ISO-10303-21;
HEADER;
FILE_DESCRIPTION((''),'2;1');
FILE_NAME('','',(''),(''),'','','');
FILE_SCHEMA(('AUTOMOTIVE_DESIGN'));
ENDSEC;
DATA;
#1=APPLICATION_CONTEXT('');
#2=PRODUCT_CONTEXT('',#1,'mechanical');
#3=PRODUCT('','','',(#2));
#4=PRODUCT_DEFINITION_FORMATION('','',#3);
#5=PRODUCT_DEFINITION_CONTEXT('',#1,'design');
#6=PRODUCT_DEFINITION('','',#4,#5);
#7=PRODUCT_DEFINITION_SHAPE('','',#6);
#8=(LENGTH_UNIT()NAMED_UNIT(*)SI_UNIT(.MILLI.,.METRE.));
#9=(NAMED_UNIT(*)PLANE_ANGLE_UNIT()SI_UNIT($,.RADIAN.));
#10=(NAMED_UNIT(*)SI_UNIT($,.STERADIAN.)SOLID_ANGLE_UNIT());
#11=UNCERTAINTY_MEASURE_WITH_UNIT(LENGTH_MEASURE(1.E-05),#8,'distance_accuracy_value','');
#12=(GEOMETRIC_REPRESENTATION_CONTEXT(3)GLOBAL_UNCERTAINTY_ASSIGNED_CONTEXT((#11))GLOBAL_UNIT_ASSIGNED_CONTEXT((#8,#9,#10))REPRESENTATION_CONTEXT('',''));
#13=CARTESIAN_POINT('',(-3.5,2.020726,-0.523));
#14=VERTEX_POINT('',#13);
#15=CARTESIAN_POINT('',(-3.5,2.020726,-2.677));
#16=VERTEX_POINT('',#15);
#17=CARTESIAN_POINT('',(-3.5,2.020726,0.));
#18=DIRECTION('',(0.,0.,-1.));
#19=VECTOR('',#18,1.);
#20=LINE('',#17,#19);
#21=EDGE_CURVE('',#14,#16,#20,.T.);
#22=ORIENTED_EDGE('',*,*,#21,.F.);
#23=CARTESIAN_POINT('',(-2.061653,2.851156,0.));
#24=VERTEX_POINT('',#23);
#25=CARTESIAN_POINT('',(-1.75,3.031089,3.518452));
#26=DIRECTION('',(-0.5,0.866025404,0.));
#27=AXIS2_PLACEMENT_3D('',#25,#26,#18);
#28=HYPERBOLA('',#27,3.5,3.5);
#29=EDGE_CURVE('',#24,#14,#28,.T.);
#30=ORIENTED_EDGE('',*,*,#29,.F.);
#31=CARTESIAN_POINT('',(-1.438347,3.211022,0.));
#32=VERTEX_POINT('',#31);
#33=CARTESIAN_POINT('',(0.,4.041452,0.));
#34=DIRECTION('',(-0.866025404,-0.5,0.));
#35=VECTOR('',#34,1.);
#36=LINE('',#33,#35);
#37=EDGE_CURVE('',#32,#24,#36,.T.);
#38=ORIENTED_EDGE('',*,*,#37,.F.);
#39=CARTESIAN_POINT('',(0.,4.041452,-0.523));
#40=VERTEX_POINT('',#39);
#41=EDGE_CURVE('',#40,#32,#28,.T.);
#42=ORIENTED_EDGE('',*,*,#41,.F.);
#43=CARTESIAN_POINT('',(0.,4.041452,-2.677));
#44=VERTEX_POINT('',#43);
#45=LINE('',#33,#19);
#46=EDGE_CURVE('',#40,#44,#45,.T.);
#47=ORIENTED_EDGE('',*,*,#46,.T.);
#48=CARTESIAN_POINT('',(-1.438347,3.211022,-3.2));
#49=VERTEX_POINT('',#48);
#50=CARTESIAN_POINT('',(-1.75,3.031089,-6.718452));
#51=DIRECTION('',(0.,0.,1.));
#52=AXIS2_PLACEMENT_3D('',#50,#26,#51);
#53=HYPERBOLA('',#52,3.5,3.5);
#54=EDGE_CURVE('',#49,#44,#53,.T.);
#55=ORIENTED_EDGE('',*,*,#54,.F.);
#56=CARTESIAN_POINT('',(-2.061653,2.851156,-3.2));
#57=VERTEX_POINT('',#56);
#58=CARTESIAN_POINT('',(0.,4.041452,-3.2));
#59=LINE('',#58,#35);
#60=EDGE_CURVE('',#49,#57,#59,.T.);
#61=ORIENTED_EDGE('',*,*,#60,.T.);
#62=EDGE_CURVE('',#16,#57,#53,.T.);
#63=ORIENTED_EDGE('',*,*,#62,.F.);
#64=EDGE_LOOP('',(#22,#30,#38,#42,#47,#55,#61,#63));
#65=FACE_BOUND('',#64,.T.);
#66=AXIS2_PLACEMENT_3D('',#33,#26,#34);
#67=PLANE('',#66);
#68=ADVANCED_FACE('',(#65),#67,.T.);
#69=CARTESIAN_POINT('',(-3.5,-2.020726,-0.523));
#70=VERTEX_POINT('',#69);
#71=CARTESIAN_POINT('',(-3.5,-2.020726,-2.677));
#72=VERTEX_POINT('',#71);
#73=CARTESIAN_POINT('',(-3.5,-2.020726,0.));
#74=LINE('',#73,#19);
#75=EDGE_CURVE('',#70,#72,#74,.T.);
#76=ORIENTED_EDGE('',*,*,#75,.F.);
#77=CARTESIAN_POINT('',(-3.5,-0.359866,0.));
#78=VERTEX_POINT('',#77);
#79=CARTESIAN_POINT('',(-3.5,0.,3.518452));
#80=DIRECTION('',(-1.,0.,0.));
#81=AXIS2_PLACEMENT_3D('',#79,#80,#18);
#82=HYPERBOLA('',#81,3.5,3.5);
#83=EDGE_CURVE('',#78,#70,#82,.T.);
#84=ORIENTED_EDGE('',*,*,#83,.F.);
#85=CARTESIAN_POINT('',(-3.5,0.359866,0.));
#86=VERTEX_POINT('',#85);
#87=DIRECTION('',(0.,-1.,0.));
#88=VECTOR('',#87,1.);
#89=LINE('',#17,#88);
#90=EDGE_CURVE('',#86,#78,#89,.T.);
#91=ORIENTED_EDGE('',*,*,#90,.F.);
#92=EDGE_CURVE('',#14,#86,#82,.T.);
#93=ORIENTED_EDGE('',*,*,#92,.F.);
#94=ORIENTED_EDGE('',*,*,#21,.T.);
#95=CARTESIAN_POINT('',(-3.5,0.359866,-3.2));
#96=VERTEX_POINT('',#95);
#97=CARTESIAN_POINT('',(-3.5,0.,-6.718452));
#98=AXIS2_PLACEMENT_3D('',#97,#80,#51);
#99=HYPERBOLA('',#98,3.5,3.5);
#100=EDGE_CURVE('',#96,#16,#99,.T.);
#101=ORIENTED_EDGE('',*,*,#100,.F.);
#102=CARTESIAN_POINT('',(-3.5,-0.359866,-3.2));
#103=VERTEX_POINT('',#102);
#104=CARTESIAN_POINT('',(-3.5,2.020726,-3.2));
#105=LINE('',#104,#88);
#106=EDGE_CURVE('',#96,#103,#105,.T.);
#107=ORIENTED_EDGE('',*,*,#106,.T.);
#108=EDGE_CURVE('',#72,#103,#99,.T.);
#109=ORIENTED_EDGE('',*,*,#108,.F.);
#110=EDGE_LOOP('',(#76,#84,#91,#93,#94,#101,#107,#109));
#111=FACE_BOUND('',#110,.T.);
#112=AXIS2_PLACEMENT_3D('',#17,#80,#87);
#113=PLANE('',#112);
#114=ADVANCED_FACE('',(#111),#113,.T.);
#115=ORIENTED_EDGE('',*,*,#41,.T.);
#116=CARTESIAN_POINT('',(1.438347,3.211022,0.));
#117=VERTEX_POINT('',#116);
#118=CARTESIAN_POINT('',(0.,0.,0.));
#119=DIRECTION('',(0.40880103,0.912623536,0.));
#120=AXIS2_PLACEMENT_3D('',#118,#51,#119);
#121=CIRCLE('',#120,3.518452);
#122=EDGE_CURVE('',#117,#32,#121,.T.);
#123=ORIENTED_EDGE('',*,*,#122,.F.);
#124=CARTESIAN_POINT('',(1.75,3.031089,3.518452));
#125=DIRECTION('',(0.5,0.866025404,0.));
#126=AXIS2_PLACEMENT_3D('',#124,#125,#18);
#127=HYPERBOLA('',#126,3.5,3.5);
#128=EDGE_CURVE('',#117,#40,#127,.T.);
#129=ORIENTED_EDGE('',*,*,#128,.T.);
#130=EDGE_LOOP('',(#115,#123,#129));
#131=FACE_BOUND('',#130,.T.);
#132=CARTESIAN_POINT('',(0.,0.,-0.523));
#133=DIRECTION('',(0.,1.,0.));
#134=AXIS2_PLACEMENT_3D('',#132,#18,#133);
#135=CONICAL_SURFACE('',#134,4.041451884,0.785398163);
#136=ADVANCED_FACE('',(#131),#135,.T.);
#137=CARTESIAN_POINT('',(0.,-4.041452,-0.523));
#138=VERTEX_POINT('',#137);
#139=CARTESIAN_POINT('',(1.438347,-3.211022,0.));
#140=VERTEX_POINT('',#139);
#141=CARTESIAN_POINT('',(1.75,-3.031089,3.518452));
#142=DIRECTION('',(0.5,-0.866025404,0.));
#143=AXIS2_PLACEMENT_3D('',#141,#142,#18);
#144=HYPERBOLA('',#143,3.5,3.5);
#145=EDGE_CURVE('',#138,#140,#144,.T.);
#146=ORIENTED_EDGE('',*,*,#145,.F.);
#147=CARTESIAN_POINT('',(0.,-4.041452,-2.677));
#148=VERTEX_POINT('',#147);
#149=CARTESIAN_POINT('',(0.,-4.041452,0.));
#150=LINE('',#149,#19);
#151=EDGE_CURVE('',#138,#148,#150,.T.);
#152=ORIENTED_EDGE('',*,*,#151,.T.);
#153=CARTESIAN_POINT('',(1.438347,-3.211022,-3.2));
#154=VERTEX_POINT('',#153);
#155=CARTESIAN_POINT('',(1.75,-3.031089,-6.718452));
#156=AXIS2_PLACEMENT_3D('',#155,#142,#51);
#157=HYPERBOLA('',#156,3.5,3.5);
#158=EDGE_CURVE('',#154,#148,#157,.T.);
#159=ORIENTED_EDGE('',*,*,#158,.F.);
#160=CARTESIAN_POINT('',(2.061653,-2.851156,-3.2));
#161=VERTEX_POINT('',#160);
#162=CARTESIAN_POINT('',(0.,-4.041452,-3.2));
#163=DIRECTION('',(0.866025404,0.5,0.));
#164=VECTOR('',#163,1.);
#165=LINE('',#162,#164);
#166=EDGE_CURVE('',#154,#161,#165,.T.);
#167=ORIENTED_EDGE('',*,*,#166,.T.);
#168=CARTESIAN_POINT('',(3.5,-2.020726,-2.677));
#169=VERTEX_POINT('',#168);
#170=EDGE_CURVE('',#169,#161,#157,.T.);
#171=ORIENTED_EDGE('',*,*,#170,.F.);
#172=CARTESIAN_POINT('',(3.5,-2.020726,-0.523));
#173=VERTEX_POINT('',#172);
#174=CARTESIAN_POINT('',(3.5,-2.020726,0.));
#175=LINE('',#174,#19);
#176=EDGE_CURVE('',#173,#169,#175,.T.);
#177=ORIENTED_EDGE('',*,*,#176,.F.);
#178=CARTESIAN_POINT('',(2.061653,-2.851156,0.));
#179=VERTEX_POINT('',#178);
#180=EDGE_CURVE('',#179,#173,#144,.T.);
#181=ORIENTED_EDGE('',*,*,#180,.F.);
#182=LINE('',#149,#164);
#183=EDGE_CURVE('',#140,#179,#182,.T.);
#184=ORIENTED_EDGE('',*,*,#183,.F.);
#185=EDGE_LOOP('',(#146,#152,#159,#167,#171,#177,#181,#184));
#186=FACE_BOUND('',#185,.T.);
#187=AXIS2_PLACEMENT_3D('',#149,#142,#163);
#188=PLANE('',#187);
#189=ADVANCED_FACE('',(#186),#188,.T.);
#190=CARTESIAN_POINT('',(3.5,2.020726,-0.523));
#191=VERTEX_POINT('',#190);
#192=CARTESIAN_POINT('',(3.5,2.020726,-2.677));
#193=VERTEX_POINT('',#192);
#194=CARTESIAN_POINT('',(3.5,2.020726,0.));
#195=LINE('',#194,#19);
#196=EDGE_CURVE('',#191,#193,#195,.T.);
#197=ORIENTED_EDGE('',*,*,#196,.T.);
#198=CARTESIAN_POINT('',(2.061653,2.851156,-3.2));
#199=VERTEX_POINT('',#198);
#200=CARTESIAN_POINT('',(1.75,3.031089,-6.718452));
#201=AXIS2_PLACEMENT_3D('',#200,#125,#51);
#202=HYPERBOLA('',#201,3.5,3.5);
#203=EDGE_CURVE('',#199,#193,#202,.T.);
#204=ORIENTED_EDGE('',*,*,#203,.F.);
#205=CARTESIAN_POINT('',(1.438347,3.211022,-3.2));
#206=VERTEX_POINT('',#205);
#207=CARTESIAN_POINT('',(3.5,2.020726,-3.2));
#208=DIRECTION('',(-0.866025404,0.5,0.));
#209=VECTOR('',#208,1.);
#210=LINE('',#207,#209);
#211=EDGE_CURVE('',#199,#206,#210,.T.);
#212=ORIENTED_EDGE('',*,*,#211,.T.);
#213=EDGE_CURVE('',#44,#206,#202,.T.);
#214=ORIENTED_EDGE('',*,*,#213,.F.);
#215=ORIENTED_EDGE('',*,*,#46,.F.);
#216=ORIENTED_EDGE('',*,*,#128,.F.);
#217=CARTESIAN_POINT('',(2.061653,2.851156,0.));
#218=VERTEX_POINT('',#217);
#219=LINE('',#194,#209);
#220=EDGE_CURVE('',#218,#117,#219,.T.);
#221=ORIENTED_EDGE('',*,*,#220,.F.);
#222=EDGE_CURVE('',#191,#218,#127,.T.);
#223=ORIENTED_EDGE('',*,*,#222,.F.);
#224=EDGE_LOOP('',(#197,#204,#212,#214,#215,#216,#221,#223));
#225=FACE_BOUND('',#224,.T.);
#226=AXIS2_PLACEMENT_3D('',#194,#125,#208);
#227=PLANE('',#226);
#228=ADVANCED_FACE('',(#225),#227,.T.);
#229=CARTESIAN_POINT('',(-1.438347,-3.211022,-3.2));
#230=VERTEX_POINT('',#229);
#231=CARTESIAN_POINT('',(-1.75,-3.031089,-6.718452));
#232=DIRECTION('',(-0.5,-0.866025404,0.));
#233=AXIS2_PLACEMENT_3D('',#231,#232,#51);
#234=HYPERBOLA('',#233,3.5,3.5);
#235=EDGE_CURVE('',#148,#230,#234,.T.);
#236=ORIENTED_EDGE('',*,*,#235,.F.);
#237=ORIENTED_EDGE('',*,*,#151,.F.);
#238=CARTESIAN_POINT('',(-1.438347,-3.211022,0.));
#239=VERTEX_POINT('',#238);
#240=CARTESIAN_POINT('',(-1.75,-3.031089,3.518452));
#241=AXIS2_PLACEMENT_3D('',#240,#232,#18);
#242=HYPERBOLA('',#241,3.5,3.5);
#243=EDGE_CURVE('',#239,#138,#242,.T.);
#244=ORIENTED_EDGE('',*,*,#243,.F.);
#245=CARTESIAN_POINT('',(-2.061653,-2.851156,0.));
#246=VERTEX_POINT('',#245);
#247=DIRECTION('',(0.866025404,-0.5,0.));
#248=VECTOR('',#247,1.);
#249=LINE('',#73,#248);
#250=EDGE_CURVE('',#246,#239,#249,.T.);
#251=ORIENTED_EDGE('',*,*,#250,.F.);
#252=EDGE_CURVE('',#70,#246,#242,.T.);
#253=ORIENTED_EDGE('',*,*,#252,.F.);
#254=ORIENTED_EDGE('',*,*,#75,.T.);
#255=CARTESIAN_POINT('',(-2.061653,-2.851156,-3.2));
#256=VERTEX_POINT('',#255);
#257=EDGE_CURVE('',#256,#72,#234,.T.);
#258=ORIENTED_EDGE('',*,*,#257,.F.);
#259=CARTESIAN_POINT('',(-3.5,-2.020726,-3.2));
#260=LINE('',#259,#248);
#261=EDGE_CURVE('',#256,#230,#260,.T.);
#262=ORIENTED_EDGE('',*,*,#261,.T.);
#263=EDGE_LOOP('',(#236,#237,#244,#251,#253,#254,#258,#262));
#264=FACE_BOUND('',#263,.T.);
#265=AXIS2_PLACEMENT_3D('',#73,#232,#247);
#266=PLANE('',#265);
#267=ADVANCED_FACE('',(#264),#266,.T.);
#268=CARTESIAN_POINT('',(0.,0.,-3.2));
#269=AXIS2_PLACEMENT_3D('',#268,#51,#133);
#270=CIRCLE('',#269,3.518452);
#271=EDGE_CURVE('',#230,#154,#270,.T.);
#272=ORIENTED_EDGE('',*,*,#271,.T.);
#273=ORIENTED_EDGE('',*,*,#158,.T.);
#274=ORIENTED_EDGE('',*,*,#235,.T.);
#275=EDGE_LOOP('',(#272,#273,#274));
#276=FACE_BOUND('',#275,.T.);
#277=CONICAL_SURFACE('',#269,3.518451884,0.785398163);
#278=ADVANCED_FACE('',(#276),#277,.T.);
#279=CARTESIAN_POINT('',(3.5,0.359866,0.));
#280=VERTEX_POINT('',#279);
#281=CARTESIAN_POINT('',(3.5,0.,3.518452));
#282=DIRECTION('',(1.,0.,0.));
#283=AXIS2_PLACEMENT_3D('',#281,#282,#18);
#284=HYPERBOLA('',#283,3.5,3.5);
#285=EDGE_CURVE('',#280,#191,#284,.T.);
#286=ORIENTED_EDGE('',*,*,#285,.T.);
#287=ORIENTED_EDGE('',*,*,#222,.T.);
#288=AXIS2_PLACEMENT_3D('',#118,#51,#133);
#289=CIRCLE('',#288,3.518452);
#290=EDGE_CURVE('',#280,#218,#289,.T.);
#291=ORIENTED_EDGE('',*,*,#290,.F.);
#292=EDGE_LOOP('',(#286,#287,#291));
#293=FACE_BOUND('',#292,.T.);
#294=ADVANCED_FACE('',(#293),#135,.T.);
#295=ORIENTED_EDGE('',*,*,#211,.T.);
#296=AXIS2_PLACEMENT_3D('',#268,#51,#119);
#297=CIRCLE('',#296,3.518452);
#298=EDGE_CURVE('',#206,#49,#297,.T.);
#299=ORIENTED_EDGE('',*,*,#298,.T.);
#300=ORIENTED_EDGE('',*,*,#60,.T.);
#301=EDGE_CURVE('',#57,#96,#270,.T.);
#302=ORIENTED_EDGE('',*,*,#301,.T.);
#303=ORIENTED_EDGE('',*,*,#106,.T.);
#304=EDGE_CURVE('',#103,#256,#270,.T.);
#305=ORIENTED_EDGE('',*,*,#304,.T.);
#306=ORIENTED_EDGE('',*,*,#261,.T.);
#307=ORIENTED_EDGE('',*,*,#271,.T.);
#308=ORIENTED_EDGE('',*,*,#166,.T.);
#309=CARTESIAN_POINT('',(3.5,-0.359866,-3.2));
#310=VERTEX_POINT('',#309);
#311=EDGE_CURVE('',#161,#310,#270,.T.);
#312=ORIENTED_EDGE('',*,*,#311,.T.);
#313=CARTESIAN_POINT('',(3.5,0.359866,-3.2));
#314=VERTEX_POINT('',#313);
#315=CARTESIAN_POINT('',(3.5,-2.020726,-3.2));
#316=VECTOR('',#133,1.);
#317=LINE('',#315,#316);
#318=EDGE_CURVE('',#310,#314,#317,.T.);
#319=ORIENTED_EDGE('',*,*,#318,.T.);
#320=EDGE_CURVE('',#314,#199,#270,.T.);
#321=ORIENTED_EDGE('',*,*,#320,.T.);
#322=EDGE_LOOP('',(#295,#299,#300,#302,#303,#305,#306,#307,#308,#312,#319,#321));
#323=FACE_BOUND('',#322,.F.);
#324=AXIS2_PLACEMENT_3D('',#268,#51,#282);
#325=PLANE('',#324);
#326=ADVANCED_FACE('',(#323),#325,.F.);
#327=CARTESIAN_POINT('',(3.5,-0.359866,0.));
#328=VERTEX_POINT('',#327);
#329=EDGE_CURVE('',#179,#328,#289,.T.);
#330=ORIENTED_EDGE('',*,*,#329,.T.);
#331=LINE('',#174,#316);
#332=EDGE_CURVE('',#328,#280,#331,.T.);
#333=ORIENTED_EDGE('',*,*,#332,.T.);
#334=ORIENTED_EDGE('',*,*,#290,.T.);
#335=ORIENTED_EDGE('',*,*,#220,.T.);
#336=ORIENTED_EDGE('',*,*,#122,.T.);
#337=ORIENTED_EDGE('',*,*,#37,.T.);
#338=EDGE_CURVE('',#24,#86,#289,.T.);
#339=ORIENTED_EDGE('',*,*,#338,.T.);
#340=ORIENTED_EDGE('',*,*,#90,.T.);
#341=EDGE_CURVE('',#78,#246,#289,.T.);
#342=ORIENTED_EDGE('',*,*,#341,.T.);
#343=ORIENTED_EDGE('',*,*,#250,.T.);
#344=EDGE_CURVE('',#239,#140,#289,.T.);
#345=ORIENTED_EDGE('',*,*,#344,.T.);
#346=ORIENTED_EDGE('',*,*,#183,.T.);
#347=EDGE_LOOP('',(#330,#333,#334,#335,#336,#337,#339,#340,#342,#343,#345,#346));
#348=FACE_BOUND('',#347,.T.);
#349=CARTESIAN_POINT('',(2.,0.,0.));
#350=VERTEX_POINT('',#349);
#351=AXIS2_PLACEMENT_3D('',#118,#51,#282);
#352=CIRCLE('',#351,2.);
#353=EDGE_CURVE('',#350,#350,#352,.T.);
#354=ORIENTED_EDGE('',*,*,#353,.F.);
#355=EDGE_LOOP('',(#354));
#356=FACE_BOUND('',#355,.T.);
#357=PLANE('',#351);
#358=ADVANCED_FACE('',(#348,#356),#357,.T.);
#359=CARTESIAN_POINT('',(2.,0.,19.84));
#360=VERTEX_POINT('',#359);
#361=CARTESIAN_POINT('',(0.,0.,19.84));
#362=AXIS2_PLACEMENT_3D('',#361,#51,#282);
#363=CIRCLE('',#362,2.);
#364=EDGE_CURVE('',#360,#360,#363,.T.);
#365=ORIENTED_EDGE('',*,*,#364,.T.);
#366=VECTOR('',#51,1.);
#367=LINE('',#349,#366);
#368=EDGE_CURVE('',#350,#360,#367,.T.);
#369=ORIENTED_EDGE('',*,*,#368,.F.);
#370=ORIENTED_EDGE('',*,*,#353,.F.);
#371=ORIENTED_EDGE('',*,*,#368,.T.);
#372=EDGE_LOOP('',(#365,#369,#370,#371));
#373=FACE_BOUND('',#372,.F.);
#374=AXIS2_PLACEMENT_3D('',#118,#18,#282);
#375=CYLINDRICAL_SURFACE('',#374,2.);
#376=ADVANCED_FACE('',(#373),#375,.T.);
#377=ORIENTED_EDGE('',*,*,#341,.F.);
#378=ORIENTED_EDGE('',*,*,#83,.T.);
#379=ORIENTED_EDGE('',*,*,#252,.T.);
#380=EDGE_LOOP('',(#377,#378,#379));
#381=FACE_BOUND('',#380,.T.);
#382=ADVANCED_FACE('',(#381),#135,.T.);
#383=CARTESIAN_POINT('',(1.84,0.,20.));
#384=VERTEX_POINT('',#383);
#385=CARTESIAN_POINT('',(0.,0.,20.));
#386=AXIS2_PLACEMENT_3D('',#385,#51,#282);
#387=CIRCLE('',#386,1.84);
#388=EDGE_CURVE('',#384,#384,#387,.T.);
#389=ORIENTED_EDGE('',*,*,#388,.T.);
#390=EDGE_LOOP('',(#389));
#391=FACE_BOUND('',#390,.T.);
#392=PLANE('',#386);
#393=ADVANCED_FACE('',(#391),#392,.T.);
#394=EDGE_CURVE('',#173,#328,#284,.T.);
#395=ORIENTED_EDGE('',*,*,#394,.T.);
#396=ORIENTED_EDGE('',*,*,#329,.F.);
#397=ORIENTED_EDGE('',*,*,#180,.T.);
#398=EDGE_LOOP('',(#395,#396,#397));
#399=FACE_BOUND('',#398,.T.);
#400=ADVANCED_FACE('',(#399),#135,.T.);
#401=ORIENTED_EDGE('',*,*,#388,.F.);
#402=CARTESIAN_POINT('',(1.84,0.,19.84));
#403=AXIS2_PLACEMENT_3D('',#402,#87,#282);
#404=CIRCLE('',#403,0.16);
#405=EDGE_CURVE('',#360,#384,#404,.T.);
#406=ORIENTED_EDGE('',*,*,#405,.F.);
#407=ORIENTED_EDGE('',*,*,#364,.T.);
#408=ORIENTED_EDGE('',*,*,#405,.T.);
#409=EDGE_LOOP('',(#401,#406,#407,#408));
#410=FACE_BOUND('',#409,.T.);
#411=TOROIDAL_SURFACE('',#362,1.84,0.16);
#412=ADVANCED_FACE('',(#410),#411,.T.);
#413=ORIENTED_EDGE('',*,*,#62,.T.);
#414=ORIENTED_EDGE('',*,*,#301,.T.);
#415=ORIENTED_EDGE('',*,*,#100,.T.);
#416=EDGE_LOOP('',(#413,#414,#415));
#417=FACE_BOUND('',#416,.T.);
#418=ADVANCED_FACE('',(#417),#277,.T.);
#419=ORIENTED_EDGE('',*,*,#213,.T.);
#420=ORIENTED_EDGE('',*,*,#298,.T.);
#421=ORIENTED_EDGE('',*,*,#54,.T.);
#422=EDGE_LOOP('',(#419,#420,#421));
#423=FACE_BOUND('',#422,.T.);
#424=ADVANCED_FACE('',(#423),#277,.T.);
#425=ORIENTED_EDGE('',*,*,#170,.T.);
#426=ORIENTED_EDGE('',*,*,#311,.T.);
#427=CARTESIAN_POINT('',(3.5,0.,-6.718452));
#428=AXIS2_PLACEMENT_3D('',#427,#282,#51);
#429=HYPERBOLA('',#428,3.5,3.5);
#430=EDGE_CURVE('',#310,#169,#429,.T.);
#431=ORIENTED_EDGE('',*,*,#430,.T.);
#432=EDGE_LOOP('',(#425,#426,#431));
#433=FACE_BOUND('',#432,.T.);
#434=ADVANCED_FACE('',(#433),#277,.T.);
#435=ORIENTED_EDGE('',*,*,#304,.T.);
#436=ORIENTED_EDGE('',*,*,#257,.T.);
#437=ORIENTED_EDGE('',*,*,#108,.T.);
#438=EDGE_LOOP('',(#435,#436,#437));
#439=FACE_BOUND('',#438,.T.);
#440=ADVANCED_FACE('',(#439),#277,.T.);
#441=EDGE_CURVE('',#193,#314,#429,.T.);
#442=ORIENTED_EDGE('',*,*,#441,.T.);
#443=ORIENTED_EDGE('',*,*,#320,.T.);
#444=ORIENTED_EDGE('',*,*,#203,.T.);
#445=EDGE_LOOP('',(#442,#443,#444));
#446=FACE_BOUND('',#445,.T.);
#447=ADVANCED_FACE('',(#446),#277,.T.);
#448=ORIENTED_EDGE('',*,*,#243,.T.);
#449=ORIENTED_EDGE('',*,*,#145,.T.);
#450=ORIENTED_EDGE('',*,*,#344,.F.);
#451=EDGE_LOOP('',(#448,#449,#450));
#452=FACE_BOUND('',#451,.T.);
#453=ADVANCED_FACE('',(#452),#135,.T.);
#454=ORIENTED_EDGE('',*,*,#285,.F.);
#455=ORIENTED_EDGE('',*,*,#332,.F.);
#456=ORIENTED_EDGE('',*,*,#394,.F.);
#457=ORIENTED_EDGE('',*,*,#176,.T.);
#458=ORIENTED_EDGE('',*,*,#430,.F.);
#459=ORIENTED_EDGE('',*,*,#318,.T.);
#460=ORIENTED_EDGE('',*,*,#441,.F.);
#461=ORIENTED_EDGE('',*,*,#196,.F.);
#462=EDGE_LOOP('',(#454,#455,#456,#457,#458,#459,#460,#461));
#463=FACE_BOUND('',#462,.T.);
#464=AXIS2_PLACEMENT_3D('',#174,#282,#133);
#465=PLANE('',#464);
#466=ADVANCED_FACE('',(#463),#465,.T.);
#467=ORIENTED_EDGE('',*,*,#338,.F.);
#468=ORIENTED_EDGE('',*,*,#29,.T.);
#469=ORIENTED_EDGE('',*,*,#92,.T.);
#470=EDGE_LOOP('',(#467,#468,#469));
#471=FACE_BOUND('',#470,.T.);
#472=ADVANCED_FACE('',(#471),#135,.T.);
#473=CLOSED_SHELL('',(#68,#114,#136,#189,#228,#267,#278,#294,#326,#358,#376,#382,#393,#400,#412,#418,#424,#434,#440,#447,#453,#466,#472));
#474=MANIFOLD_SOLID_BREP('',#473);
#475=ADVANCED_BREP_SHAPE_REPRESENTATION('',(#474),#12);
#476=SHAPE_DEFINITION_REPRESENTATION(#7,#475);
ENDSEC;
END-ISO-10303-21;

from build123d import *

# Parameters (mm, degrees)
EXTRUDE_1_DEPTH = 3.2
SKETCH_2_R      = 2
EXTRUDE_2_DEPTH = 20
FILLET_1_R      = 0.16


with BuildPart() as part:
    # 草图1 → 凸台-拉伸1 (new body)
    with BuildSketch(Plane.XY):
        Polygon((0, 4.041451884), (-3.5, 2.020725942), (-3.5, -2.020725942), (0, -4.041451884), (3.5, -2.020725942), (3.5, 2.020725942), align=None)
    extrude(amount=-EXTRUDE_1_DEPTH)

    # 草图2 → 凸台-拉伸2 (add)
    with BuildSketch(Plane.XY):
        Circle(SKETCH_2_R)
    extrude(amount=EXTRUDE_2_DEPTH)

    # 圆角1
    fillet_1_edges = [part.edges().sort_by_distance(p)[0] for p in [
        (-2, 0, 20),
    ]]
    fillet(fillet_1_edges, radius=FILLET_1_R)

    # 草图3 → 切除-旋转1 (revolve, cut)
    with BuildSketch(Plane(origin=(0, 0, 0), x_dir=(0, 0, -1), z_dir=(1, 0, 0))):
        Polygon((0.523, 4.041451884), (0, 3.518451884), (0, 4.041451884), align=None)
        Polygon((3.2, 4.041451884), (3.2, 3.518451884), (2.677, 4.041451884), align=None)
    revolve(axis=Axis((0, 0, 0), (0, 0, 1)), mode=Mode.SUBTRACT)


solid = part.part
